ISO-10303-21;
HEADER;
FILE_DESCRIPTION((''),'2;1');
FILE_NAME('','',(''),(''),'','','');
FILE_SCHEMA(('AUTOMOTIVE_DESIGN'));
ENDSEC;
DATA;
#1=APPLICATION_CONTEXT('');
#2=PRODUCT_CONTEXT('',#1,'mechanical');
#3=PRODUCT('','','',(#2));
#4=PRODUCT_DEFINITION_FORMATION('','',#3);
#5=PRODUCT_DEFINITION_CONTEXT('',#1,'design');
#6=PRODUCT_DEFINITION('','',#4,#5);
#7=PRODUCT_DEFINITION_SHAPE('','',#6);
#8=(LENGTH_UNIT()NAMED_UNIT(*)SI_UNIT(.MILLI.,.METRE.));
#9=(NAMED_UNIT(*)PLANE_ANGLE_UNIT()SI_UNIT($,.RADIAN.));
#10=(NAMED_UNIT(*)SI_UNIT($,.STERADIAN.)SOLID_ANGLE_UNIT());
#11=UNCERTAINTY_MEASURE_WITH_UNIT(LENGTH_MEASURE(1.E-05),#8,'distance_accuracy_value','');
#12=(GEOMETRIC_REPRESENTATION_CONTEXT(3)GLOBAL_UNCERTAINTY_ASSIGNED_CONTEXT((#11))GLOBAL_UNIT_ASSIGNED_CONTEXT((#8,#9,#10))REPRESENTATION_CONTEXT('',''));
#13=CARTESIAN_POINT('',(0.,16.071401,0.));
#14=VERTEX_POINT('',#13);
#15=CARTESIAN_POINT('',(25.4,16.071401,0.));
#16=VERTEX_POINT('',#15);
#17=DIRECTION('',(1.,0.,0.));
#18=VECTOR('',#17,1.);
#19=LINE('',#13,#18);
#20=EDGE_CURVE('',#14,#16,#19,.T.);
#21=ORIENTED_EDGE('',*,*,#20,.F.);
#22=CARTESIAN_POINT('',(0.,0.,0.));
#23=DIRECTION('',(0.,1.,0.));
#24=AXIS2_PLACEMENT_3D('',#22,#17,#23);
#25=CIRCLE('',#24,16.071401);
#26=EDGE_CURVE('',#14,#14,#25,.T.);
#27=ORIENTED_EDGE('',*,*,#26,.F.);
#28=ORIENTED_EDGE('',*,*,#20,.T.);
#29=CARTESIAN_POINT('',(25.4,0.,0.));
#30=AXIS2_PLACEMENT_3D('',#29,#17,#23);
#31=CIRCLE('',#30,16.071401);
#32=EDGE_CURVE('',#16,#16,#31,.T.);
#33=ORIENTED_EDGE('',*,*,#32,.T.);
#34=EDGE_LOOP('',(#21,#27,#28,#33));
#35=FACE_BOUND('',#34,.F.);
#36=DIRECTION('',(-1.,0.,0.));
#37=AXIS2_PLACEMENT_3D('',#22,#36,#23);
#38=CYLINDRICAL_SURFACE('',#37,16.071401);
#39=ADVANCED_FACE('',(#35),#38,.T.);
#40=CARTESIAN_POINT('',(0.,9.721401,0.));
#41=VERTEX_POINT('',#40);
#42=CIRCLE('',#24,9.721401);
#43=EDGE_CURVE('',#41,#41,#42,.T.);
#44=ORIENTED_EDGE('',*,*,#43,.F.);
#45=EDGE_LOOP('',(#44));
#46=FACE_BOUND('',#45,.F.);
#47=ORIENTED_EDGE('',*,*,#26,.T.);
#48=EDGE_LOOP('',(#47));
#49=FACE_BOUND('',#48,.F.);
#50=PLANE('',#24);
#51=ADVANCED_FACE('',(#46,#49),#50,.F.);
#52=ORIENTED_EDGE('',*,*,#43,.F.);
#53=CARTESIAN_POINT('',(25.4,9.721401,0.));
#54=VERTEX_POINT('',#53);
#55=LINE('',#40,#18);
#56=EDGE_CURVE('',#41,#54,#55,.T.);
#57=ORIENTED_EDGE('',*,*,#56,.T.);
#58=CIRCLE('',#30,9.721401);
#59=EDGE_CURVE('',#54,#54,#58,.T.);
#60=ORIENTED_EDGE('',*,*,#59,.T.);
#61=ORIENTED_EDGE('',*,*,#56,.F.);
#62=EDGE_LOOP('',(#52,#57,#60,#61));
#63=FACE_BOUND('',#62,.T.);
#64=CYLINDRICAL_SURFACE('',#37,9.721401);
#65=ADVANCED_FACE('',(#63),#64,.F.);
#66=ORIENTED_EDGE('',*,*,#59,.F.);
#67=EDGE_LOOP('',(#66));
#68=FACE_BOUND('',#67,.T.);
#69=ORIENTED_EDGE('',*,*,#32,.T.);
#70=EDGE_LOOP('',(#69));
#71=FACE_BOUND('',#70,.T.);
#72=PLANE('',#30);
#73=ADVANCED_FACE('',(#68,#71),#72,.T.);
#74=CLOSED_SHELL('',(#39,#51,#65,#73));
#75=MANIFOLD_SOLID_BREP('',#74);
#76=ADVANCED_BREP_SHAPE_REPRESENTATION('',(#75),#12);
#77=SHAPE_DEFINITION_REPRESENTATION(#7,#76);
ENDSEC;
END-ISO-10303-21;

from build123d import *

# Parameters (mm, degrees)
F1_R     = 16.071401
F2_DEPTH = 25.4
F0_R     = 9.721401
F3_DEPTH = 25.4


with BuildPart() as f2:
    # F1 (on Right) → F2 (new body)
    with BuildSketch(Plane.YZ):
        Circle(F1_R)
    extrude(amount=F2_DEPTH)

    # F0 (on Right) → F3 (cut)
    with BuildSketch(Plane.YZ):
        Circle(F0_R)
    extrude(amount=F3_DEPTH, mode=Mode.SUBTRACT)


solid = f2.part
